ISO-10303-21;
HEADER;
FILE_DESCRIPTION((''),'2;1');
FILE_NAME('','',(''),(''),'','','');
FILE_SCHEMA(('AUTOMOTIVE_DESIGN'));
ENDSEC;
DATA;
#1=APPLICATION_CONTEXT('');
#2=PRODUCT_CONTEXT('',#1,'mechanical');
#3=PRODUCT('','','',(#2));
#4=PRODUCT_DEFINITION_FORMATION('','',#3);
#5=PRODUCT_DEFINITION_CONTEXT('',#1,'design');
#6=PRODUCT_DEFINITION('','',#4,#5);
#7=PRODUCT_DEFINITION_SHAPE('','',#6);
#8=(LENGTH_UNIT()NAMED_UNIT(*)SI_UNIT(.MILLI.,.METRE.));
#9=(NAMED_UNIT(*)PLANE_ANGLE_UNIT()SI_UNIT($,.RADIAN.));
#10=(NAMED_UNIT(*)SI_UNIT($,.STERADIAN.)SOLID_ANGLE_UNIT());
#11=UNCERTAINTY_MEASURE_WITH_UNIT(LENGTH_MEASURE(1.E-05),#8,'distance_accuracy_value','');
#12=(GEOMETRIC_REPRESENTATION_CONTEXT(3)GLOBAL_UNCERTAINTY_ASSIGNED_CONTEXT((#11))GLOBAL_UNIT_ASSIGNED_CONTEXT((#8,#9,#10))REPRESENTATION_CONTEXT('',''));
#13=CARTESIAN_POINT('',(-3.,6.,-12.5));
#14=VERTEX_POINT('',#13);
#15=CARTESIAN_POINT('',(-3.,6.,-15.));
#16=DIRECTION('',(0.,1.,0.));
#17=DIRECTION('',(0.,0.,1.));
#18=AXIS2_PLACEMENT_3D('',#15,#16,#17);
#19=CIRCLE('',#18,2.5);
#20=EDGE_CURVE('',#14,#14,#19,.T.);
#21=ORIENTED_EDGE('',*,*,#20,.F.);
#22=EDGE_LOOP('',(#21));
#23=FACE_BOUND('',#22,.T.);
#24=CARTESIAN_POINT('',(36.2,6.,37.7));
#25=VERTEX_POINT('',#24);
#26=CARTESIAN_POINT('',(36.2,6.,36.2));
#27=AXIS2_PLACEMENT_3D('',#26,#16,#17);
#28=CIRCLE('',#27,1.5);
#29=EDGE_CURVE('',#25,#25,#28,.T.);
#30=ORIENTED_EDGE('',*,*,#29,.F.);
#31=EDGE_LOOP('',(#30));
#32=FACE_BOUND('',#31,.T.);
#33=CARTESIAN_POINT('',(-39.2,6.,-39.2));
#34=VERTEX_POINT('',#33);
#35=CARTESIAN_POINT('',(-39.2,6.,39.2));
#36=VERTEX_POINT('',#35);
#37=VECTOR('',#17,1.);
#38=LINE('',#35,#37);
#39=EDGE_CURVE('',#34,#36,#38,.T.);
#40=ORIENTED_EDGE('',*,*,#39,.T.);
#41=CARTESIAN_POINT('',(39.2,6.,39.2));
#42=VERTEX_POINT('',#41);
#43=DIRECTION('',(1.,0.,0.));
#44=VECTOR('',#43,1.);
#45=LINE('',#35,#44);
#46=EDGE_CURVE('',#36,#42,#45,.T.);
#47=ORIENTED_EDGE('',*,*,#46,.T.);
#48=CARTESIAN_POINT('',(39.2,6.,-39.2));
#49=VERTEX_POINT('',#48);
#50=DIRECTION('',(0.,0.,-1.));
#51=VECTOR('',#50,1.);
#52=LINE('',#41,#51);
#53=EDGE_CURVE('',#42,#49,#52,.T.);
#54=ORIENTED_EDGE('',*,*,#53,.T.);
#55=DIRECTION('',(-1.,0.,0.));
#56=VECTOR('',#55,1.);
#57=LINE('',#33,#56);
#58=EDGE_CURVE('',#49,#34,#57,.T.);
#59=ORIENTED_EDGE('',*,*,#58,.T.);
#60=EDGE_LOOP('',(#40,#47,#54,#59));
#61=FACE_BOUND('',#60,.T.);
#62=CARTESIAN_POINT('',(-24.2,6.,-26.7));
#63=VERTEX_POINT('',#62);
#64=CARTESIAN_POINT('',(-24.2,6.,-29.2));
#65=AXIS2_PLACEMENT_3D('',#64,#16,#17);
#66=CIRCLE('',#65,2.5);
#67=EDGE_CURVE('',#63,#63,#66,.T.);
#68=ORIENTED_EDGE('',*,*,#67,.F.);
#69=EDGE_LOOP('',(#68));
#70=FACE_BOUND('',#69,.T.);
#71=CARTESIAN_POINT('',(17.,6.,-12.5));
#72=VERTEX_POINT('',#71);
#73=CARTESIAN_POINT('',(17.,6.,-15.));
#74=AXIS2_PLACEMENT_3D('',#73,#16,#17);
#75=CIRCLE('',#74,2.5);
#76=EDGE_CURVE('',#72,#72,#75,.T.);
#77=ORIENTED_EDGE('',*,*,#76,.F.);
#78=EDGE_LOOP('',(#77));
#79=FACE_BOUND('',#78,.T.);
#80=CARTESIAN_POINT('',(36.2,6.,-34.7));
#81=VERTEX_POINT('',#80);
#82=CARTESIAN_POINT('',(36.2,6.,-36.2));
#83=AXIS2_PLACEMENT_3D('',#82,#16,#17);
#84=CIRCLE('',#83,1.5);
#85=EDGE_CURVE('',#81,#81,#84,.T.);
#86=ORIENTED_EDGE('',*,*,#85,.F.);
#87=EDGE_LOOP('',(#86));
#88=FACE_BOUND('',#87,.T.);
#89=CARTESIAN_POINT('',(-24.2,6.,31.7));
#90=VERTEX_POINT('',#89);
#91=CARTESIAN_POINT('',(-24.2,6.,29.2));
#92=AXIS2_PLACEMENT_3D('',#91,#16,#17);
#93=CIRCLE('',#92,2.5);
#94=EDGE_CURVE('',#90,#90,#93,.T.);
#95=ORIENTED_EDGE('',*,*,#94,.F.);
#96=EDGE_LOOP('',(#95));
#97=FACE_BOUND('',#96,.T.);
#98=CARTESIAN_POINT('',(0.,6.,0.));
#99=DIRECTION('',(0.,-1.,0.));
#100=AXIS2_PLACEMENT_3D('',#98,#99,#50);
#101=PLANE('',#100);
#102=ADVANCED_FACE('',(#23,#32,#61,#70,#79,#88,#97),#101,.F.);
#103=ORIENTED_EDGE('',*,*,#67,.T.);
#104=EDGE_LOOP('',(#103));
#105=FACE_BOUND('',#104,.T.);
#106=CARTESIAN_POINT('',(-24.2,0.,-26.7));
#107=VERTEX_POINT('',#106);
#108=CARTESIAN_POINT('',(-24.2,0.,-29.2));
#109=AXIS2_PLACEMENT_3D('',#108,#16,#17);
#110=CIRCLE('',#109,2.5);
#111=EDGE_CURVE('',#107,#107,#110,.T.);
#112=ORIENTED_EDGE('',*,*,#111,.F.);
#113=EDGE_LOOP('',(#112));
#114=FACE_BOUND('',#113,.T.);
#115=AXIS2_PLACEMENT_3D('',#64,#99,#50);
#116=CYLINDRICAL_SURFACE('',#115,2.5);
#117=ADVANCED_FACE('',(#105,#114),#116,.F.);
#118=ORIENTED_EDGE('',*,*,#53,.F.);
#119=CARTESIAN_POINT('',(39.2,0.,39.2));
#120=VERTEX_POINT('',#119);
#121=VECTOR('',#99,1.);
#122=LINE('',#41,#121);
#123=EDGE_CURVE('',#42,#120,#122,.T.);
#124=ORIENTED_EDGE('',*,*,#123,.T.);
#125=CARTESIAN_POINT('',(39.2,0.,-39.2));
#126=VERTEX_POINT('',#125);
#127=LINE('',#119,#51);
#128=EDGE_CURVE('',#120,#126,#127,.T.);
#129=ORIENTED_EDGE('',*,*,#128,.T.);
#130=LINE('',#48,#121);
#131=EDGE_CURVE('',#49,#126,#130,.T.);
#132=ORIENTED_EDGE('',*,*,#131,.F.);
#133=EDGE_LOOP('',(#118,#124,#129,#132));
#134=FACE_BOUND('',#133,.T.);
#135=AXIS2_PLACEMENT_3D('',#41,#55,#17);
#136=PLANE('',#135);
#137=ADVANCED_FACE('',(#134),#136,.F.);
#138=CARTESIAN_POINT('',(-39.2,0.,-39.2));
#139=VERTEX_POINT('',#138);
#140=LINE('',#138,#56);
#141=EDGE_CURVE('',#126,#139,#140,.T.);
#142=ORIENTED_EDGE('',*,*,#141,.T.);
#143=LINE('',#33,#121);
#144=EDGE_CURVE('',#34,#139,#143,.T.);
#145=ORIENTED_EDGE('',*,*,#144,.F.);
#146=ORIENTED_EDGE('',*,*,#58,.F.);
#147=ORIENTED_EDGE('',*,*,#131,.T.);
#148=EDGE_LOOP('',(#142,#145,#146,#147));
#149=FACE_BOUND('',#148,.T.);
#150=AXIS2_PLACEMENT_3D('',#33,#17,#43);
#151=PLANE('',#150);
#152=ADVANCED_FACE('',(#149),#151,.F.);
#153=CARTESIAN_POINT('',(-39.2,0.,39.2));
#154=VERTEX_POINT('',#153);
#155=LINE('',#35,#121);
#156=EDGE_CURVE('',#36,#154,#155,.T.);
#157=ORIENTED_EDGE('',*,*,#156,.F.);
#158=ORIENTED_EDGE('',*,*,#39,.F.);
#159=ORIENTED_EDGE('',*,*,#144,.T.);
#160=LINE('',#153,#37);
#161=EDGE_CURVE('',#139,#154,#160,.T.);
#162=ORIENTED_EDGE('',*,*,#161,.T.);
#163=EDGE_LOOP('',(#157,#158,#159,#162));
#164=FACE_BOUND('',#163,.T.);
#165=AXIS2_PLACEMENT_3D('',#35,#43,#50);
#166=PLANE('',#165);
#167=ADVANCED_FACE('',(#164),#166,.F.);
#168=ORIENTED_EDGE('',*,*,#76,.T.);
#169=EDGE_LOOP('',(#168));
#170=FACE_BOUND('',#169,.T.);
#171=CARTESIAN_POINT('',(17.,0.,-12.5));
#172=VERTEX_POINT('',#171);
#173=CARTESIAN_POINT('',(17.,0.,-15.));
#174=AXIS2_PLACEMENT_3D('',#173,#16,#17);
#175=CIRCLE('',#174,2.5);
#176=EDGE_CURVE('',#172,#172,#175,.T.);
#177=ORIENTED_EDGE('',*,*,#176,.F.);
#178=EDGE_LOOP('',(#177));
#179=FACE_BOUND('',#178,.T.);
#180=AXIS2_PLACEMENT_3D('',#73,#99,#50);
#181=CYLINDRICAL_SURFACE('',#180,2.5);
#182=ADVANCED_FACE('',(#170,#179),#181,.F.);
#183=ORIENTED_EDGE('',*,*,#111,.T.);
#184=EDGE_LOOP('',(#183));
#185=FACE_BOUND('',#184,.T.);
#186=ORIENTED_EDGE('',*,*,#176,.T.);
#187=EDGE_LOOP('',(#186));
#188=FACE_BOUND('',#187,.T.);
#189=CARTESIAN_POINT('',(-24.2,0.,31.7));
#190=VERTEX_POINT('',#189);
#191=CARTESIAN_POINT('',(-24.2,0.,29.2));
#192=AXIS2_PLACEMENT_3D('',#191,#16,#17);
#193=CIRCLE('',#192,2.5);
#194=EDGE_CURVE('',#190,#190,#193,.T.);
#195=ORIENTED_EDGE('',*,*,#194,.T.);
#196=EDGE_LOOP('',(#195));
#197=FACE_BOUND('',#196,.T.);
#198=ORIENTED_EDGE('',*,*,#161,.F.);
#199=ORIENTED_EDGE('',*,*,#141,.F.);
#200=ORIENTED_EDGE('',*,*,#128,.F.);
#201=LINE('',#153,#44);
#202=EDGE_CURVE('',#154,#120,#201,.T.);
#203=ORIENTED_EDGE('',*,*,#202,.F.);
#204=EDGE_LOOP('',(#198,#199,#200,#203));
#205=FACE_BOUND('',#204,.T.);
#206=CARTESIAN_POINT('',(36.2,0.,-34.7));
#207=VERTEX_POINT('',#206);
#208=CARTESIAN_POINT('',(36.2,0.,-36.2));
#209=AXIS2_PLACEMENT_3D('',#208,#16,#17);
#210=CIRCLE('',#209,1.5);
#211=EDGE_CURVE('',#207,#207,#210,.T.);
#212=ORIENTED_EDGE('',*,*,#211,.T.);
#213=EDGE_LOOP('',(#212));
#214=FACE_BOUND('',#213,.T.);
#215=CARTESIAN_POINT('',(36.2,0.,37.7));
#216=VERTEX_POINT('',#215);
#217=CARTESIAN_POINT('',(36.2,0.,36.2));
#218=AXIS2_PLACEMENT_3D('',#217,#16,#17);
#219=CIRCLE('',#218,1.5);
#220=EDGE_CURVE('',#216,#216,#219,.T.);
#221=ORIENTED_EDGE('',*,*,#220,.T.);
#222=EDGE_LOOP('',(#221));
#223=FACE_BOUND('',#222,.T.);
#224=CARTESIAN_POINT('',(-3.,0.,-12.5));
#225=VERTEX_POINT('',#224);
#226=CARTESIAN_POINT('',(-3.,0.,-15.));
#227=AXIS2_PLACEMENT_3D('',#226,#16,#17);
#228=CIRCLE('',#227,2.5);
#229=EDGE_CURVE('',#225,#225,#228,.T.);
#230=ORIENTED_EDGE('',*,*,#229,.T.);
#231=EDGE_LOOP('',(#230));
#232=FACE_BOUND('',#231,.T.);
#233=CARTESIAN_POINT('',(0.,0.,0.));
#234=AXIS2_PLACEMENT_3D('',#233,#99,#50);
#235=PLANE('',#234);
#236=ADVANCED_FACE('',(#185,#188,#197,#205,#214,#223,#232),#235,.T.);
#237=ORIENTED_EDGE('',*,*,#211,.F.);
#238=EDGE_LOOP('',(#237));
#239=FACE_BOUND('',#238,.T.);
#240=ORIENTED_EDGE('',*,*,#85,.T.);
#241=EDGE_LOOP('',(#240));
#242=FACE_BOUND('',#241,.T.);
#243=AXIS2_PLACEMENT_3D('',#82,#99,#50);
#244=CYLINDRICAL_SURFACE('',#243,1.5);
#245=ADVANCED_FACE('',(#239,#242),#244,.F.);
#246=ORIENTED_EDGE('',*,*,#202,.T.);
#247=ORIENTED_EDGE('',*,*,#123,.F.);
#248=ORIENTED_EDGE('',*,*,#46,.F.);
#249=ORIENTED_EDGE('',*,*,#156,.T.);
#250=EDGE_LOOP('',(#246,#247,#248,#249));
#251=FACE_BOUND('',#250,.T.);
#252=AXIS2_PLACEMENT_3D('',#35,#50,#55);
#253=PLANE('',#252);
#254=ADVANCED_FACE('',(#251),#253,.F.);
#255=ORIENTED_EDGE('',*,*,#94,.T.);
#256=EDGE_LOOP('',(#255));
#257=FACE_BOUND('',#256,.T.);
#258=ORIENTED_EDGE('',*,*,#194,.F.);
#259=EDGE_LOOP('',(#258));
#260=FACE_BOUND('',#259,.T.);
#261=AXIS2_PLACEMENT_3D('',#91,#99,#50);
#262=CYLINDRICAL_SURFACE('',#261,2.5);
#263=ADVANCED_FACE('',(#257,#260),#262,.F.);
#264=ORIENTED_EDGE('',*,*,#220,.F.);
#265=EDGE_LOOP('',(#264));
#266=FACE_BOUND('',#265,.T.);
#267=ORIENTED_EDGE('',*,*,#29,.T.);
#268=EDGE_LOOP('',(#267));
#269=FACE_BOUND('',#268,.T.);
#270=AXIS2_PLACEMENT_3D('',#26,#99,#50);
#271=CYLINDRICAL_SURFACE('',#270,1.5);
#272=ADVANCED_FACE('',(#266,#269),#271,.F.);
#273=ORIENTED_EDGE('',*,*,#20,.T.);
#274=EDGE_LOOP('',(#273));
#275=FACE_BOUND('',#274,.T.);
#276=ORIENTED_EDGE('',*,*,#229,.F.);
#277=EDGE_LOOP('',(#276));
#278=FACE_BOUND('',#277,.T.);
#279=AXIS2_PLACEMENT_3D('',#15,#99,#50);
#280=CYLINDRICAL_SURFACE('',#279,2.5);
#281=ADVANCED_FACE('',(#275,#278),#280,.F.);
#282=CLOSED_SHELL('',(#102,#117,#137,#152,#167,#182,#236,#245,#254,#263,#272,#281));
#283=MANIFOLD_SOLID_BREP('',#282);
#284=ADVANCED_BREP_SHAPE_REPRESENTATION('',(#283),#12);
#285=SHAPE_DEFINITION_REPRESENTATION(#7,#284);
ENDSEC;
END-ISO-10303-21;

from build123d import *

# Parameters (mm, degrees)
SKETCH1_W           = 78.4
SKETCH1_H           = 78.4
SKETCH1_R           = 2.5
SKETCH1_R_2         = 1.5
BOSS_EXTRUDE1_DEPTH = 6


with BuildPart() as part:
    # Sketch1 → Boss-Extrude1 (new body)
    with BuildSketch(Plane(origin=(0, 0, 0), x_dir=(1, 0, 0), z_dir=(0, 1, 0))):
        Rectangle(SKETCH1_W, SKETCH1_H)
        with Locations((-24.2, 29.2)):
            Circle(SKETCH1_R, mode=Mode.SUBTRACT)
        with Locations((-24.2, -29.2)):
            Circle(SKETCH1_R, mode=Mode.SUBTRACT)
        with Locations((36.2, 36.2)):
            Circle(SKETCH1_R_2, mode=Mode.SUBTRACT)
        with Locations((36.2, -36.2)):
            Circle(SKETCH1_R_2, mode=Mode.SUBTRACT)
        with Locations((-3, 15)):
            Circle(SKETCH1_R, mode=Mode.SUBTRACT)
        with Locations((17, 15)):
            Circle(SKETCH1_R, mode=Mode.SUBTRACT)
    extrude(amount=BOSS_EXTRUDE1_DEPTH)


solid = part.part
